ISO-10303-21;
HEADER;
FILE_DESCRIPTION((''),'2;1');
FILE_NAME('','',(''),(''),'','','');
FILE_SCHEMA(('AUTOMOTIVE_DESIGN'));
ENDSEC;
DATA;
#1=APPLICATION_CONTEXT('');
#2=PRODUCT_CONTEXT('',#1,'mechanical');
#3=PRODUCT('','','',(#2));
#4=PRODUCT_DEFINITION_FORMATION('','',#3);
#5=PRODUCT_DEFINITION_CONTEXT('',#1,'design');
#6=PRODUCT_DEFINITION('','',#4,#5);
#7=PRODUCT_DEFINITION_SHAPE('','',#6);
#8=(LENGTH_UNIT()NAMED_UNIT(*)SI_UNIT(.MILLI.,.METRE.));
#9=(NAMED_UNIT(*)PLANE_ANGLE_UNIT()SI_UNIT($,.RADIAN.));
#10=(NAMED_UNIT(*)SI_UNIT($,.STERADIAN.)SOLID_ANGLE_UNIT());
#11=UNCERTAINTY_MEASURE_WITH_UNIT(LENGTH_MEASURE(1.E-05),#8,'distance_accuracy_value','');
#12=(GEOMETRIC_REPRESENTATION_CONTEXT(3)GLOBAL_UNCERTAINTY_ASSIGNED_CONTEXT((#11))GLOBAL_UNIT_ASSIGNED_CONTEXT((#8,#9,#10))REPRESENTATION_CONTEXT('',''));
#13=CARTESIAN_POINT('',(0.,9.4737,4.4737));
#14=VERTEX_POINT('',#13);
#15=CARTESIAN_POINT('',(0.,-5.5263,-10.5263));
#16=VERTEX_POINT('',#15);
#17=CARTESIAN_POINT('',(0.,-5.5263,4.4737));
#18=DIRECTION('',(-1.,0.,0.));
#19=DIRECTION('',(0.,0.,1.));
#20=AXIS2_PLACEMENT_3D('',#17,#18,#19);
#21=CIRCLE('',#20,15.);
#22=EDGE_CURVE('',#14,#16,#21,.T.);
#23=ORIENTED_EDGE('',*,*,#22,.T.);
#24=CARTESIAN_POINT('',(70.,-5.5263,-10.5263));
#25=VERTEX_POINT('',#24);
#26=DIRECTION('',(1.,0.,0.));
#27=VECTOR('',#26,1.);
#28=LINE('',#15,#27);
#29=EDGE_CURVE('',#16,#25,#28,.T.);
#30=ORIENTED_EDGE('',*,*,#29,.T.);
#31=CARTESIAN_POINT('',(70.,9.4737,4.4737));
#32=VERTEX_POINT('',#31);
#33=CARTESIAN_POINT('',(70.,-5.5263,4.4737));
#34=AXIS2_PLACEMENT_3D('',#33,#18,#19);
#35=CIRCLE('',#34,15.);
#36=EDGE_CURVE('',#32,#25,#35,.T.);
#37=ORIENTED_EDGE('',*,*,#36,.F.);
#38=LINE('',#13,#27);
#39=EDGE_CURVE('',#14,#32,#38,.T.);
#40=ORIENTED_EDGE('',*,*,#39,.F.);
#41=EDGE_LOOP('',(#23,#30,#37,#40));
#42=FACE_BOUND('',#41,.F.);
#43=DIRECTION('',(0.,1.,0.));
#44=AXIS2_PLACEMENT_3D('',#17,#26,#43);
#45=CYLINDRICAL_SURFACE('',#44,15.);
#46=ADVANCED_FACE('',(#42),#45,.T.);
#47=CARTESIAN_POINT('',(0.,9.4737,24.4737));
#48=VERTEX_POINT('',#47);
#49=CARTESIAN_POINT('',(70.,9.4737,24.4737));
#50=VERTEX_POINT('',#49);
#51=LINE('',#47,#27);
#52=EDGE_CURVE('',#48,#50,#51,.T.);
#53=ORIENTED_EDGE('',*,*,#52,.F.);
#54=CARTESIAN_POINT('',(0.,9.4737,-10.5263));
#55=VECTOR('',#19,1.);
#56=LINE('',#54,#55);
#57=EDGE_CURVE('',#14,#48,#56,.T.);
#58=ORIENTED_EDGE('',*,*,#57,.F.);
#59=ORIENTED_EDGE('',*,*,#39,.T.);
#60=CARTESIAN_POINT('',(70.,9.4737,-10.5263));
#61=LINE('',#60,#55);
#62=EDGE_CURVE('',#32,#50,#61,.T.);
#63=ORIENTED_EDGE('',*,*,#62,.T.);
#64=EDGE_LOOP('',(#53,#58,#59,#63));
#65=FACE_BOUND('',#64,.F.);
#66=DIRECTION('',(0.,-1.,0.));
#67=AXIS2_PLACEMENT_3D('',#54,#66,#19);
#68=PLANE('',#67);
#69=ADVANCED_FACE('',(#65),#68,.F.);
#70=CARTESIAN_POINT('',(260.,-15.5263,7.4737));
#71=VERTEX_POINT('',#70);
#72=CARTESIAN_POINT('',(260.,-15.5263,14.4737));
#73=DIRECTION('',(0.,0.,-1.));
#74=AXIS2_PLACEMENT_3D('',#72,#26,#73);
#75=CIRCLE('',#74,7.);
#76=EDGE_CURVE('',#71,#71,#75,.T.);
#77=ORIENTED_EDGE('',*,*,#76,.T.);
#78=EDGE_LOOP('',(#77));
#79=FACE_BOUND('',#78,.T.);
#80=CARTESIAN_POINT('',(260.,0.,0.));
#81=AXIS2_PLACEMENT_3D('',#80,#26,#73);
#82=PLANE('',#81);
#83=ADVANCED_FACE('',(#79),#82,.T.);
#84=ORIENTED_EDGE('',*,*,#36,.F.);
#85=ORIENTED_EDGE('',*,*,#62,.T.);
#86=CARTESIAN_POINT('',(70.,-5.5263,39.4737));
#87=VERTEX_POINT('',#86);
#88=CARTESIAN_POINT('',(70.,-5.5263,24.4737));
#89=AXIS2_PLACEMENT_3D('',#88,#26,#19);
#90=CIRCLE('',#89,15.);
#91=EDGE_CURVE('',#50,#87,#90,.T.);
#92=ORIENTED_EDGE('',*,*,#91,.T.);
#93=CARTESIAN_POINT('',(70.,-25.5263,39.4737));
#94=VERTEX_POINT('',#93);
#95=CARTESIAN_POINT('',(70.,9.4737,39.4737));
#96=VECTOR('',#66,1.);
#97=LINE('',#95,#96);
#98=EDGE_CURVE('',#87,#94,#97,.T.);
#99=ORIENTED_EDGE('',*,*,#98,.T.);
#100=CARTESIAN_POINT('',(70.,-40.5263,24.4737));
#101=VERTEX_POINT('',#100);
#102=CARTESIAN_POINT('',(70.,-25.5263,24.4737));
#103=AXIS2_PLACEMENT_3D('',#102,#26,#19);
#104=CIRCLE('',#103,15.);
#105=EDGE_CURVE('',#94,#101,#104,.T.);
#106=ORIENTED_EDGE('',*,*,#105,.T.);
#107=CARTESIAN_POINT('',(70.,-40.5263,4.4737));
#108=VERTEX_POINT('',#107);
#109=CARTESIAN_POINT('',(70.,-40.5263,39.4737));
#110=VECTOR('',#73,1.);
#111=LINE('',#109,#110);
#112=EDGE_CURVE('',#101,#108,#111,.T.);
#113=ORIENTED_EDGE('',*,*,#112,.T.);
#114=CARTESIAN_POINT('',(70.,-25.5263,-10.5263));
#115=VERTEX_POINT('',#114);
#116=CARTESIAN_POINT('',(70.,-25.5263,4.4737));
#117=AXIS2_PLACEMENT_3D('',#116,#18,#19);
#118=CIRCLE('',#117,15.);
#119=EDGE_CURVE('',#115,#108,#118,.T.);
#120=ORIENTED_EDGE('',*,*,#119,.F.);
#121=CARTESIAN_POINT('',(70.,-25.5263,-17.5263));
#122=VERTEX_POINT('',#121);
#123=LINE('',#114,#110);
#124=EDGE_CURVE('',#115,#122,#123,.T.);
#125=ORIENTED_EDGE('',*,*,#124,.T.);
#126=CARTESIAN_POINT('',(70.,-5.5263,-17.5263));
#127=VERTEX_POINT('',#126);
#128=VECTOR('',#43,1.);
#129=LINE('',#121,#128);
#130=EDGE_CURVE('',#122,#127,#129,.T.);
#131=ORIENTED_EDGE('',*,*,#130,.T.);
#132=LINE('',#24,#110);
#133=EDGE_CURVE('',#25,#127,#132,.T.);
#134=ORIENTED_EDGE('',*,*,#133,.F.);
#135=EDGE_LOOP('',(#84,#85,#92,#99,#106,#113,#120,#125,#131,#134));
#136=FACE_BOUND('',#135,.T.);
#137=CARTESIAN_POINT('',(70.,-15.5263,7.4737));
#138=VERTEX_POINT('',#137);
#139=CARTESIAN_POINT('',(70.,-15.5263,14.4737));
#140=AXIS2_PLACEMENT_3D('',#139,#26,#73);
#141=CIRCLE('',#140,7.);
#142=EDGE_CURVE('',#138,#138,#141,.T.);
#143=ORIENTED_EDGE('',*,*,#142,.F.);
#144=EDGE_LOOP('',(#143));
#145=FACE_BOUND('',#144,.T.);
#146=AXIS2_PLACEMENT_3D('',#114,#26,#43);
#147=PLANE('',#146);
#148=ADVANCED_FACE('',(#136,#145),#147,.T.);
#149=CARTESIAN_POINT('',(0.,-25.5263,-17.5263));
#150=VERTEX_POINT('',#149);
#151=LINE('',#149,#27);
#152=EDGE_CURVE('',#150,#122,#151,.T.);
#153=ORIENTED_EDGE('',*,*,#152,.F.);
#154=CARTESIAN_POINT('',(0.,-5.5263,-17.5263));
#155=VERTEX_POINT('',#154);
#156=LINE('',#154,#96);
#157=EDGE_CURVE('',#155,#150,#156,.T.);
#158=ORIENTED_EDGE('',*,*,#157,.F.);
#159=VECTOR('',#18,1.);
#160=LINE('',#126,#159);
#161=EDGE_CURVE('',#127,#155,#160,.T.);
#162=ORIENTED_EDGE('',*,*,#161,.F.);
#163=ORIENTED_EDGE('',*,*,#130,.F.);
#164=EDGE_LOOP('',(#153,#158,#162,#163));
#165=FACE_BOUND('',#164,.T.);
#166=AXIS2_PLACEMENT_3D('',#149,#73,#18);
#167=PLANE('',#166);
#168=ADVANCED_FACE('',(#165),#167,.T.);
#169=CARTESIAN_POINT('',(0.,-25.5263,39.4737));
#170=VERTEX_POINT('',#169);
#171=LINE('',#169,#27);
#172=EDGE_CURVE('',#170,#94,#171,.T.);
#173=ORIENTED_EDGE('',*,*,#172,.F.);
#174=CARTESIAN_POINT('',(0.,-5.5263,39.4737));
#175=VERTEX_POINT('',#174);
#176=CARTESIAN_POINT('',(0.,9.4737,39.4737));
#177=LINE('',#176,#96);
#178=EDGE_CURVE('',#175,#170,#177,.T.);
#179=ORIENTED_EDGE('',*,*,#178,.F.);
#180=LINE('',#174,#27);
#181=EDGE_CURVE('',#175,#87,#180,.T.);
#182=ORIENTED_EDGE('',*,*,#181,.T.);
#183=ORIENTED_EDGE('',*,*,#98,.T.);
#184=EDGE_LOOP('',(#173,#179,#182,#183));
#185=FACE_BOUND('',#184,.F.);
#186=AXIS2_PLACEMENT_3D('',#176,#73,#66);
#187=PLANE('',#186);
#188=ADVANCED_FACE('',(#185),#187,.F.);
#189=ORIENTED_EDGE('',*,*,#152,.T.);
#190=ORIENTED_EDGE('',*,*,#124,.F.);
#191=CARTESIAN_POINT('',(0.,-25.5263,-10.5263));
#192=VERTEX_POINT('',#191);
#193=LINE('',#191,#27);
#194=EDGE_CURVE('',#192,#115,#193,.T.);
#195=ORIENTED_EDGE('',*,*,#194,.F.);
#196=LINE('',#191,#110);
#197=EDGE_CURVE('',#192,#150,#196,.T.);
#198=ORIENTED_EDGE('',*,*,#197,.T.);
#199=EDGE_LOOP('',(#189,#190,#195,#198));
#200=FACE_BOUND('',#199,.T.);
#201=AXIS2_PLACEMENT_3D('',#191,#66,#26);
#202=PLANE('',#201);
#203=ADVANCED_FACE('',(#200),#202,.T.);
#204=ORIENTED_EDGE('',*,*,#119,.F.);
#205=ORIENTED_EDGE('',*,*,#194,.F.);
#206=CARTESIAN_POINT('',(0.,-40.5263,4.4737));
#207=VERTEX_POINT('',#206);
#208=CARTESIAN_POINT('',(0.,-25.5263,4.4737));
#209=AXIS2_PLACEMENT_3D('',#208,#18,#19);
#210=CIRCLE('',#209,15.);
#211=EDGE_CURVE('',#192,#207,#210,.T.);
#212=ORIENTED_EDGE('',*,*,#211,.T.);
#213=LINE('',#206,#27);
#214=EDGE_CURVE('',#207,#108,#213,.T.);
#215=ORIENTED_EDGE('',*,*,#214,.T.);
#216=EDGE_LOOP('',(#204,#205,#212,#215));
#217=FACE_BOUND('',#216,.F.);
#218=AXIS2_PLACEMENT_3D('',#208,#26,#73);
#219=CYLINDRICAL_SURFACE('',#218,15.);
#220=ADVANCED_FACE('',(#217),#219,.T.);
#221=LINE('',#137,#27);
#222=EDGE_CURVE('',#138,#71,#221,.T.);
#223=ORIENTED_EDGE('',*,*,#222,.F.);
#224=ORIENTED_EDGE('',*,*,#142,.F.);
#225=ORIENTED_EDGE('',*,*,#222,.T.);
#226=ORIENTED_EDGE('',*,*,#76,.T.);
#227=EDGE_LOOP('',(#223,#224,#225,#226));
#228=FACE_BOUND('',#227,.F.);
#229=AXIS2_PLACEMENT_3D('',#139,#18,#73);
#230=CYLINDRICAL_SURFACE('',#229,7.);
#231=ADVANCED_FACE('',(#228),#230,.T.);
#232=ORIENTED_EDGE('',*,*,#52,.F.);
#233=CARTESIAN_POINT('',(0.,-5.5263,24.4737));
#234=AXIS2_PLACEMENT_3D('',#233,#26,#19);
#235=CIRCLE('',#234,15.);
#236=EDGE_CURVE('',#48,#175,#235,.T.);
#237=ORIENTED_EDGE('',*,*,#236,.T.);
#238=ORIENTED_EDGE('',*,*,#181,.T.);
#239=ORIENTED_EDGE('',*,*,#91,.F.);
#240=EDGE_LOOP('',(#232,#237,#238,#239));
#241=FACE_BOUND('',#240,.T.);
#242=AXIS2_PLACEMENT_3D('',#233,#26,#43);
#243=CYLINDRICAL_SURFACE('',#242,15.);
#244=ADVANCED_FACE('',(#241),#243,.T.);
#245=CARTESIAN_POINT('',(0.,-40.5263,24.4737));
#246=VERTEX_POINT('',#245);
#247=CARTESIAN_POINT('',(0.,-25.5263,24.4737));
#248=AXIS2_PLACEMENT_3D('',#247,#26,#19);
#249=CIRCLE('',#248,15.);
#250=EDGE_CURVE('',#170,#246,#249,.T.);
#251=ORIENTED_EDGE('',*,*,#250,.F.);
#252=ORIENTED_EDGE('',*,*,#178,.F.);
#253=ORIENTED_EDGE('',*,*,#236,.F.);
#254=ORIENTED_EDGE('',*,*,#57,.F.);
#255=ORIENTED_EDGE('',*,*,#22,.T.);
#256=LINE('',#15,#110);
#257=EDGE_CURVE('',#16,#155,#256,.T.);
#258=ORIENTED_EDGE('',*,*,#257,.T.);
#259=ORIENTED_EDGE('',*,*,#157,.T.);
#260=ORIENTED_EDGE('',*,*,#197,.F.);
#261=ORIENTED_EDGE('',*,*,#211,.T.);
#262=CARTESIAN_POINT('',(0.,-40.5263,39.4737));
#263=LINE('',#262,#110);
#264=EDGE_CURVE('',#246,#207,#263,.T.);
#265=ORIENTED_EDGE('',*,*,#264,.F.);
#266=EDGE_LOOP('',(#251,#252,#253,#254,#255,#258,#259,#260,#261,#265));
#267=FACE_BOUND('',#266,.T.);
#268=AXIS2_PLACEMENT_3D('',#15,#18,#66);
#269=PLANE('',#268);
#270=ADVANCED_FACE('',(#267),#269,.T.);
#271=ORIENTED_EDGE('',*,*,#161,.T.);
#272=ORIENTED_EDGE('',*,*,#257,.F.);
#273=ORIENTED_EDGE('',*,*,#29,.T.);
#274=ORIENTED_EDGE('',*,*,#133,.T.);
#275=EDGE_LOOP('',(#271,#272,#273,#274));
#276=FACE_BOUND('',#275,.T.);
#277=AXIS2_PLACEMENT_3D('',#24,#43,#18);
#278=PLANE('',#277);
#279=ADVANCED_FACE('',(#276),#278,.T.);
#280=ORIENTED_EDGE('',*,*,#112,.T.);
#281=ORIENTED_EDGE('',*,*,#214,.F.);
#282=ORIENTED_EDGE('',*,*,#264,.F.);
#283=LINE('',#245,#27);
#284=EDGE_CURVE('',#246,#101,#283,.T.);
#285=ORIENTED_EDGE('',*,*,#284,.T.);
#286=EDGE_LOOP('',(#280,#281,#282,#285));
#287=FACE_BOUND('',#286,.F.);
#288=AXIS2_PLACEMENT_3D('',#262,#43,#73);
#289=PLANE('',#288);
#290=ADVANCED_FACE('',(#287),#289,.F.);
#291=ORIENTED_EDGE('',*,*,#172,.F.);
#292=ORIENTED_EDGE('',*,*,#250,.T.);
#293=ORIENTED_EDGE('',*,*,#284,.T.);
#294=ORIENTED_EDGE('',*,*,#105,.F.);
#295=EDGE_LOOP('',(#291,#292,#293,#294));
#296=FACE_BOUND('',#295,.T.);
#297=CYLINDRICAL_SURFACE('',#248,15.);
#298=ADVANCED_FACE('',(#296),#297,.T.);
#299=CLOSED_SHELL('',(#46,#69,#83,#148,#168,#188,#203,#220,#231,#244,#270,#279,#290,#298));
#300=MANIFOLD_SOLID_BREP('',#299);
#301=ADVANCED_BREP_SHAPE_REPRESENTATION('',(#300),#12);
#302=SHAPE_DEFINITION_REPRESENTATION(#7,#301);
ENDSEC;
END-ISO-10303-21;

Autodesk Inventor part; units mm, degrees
ref_plane "YZ Plane" through (0, 0, 0) normal (1, 0, 0) x (0, 1, 0)
ref_plane "XZ Plane" through (0, 0, 0) normal (0, 1, 0) x (-1, 0, 0)
ref_plane "XY Plane" through (0, 0, 0) normal (0, 0, 1) x (1, 0, 0)
sketch "Sketch1" plane through (0, 0, 0) normal (1, 0, 0) x (0, 1, 0)
  line L0 (9.4737, 39.4737) -> (-40.5263, 39.4737)
  line L1 (-40.5263, 39.4737) -> (-40.5263, -10.5263)
  line L2 (-40.5263, -10.5263) -> (9.4737, -10.5263)
  line L3 (9.4737, -10.5263) -> (9.4737, 39.4737)
  point P0 (0, 0)
  dimension "d2" = 50
  dimension "d3" = 50
extrude "Extrusion1" add sketch "Sketch1" along normal blind 70
sketch "Sketch2" plane through (70, 0, 0) normal (1, 0, 0) x (0, 0, -1)
  line L0 (-39.4737, 9.4737) -> (-39.4737, -40.5263) projected
  line L1 (-39.4737, -40.5263) -> (10.5263, -40.5263) projected
  line L2 (10.5263, 9.4737) -> (-39.4737, 9.4737) projected
  line L3 (10.5263, -40.5263) -> (10.5263, 9.4737) projected
  circle A0 centre (-14.4737, -15.5263) radius 7
  point P0 (0, 0)
  dimension "d11" = 14
extrude "Extrusion2" add sketch "Sketch2" along normal blind 190 contours A0
fillet "Fillet1" radius 15 4 edges at (35, 9.4737, 39.4737) (35, -40.5263, 39.4737) (35, 9.4737, -10.5263) (35, -40.5263, -10.5263)
sketch "Sketch3" plane through (0, -25.5263, -10.5263) normal (0, 0, -1) x (-1, 0, 0)
  line L0 (-70, 20) -> (-70, 35) projected
  line L1 (-70, 20) -> (0, 20)
  line L2 (0, 20) -> (0, 0)
  line L3 (0, 0) -> (-70, 0)
  line L4 (-70, 0) -> (-70, 20)
  point P0 (0, 25.5263)
extrude "Extrusion3" add sketch "Sketch3" along normal blind 7
properties part number "taladro" material "Iron, Ductile"
